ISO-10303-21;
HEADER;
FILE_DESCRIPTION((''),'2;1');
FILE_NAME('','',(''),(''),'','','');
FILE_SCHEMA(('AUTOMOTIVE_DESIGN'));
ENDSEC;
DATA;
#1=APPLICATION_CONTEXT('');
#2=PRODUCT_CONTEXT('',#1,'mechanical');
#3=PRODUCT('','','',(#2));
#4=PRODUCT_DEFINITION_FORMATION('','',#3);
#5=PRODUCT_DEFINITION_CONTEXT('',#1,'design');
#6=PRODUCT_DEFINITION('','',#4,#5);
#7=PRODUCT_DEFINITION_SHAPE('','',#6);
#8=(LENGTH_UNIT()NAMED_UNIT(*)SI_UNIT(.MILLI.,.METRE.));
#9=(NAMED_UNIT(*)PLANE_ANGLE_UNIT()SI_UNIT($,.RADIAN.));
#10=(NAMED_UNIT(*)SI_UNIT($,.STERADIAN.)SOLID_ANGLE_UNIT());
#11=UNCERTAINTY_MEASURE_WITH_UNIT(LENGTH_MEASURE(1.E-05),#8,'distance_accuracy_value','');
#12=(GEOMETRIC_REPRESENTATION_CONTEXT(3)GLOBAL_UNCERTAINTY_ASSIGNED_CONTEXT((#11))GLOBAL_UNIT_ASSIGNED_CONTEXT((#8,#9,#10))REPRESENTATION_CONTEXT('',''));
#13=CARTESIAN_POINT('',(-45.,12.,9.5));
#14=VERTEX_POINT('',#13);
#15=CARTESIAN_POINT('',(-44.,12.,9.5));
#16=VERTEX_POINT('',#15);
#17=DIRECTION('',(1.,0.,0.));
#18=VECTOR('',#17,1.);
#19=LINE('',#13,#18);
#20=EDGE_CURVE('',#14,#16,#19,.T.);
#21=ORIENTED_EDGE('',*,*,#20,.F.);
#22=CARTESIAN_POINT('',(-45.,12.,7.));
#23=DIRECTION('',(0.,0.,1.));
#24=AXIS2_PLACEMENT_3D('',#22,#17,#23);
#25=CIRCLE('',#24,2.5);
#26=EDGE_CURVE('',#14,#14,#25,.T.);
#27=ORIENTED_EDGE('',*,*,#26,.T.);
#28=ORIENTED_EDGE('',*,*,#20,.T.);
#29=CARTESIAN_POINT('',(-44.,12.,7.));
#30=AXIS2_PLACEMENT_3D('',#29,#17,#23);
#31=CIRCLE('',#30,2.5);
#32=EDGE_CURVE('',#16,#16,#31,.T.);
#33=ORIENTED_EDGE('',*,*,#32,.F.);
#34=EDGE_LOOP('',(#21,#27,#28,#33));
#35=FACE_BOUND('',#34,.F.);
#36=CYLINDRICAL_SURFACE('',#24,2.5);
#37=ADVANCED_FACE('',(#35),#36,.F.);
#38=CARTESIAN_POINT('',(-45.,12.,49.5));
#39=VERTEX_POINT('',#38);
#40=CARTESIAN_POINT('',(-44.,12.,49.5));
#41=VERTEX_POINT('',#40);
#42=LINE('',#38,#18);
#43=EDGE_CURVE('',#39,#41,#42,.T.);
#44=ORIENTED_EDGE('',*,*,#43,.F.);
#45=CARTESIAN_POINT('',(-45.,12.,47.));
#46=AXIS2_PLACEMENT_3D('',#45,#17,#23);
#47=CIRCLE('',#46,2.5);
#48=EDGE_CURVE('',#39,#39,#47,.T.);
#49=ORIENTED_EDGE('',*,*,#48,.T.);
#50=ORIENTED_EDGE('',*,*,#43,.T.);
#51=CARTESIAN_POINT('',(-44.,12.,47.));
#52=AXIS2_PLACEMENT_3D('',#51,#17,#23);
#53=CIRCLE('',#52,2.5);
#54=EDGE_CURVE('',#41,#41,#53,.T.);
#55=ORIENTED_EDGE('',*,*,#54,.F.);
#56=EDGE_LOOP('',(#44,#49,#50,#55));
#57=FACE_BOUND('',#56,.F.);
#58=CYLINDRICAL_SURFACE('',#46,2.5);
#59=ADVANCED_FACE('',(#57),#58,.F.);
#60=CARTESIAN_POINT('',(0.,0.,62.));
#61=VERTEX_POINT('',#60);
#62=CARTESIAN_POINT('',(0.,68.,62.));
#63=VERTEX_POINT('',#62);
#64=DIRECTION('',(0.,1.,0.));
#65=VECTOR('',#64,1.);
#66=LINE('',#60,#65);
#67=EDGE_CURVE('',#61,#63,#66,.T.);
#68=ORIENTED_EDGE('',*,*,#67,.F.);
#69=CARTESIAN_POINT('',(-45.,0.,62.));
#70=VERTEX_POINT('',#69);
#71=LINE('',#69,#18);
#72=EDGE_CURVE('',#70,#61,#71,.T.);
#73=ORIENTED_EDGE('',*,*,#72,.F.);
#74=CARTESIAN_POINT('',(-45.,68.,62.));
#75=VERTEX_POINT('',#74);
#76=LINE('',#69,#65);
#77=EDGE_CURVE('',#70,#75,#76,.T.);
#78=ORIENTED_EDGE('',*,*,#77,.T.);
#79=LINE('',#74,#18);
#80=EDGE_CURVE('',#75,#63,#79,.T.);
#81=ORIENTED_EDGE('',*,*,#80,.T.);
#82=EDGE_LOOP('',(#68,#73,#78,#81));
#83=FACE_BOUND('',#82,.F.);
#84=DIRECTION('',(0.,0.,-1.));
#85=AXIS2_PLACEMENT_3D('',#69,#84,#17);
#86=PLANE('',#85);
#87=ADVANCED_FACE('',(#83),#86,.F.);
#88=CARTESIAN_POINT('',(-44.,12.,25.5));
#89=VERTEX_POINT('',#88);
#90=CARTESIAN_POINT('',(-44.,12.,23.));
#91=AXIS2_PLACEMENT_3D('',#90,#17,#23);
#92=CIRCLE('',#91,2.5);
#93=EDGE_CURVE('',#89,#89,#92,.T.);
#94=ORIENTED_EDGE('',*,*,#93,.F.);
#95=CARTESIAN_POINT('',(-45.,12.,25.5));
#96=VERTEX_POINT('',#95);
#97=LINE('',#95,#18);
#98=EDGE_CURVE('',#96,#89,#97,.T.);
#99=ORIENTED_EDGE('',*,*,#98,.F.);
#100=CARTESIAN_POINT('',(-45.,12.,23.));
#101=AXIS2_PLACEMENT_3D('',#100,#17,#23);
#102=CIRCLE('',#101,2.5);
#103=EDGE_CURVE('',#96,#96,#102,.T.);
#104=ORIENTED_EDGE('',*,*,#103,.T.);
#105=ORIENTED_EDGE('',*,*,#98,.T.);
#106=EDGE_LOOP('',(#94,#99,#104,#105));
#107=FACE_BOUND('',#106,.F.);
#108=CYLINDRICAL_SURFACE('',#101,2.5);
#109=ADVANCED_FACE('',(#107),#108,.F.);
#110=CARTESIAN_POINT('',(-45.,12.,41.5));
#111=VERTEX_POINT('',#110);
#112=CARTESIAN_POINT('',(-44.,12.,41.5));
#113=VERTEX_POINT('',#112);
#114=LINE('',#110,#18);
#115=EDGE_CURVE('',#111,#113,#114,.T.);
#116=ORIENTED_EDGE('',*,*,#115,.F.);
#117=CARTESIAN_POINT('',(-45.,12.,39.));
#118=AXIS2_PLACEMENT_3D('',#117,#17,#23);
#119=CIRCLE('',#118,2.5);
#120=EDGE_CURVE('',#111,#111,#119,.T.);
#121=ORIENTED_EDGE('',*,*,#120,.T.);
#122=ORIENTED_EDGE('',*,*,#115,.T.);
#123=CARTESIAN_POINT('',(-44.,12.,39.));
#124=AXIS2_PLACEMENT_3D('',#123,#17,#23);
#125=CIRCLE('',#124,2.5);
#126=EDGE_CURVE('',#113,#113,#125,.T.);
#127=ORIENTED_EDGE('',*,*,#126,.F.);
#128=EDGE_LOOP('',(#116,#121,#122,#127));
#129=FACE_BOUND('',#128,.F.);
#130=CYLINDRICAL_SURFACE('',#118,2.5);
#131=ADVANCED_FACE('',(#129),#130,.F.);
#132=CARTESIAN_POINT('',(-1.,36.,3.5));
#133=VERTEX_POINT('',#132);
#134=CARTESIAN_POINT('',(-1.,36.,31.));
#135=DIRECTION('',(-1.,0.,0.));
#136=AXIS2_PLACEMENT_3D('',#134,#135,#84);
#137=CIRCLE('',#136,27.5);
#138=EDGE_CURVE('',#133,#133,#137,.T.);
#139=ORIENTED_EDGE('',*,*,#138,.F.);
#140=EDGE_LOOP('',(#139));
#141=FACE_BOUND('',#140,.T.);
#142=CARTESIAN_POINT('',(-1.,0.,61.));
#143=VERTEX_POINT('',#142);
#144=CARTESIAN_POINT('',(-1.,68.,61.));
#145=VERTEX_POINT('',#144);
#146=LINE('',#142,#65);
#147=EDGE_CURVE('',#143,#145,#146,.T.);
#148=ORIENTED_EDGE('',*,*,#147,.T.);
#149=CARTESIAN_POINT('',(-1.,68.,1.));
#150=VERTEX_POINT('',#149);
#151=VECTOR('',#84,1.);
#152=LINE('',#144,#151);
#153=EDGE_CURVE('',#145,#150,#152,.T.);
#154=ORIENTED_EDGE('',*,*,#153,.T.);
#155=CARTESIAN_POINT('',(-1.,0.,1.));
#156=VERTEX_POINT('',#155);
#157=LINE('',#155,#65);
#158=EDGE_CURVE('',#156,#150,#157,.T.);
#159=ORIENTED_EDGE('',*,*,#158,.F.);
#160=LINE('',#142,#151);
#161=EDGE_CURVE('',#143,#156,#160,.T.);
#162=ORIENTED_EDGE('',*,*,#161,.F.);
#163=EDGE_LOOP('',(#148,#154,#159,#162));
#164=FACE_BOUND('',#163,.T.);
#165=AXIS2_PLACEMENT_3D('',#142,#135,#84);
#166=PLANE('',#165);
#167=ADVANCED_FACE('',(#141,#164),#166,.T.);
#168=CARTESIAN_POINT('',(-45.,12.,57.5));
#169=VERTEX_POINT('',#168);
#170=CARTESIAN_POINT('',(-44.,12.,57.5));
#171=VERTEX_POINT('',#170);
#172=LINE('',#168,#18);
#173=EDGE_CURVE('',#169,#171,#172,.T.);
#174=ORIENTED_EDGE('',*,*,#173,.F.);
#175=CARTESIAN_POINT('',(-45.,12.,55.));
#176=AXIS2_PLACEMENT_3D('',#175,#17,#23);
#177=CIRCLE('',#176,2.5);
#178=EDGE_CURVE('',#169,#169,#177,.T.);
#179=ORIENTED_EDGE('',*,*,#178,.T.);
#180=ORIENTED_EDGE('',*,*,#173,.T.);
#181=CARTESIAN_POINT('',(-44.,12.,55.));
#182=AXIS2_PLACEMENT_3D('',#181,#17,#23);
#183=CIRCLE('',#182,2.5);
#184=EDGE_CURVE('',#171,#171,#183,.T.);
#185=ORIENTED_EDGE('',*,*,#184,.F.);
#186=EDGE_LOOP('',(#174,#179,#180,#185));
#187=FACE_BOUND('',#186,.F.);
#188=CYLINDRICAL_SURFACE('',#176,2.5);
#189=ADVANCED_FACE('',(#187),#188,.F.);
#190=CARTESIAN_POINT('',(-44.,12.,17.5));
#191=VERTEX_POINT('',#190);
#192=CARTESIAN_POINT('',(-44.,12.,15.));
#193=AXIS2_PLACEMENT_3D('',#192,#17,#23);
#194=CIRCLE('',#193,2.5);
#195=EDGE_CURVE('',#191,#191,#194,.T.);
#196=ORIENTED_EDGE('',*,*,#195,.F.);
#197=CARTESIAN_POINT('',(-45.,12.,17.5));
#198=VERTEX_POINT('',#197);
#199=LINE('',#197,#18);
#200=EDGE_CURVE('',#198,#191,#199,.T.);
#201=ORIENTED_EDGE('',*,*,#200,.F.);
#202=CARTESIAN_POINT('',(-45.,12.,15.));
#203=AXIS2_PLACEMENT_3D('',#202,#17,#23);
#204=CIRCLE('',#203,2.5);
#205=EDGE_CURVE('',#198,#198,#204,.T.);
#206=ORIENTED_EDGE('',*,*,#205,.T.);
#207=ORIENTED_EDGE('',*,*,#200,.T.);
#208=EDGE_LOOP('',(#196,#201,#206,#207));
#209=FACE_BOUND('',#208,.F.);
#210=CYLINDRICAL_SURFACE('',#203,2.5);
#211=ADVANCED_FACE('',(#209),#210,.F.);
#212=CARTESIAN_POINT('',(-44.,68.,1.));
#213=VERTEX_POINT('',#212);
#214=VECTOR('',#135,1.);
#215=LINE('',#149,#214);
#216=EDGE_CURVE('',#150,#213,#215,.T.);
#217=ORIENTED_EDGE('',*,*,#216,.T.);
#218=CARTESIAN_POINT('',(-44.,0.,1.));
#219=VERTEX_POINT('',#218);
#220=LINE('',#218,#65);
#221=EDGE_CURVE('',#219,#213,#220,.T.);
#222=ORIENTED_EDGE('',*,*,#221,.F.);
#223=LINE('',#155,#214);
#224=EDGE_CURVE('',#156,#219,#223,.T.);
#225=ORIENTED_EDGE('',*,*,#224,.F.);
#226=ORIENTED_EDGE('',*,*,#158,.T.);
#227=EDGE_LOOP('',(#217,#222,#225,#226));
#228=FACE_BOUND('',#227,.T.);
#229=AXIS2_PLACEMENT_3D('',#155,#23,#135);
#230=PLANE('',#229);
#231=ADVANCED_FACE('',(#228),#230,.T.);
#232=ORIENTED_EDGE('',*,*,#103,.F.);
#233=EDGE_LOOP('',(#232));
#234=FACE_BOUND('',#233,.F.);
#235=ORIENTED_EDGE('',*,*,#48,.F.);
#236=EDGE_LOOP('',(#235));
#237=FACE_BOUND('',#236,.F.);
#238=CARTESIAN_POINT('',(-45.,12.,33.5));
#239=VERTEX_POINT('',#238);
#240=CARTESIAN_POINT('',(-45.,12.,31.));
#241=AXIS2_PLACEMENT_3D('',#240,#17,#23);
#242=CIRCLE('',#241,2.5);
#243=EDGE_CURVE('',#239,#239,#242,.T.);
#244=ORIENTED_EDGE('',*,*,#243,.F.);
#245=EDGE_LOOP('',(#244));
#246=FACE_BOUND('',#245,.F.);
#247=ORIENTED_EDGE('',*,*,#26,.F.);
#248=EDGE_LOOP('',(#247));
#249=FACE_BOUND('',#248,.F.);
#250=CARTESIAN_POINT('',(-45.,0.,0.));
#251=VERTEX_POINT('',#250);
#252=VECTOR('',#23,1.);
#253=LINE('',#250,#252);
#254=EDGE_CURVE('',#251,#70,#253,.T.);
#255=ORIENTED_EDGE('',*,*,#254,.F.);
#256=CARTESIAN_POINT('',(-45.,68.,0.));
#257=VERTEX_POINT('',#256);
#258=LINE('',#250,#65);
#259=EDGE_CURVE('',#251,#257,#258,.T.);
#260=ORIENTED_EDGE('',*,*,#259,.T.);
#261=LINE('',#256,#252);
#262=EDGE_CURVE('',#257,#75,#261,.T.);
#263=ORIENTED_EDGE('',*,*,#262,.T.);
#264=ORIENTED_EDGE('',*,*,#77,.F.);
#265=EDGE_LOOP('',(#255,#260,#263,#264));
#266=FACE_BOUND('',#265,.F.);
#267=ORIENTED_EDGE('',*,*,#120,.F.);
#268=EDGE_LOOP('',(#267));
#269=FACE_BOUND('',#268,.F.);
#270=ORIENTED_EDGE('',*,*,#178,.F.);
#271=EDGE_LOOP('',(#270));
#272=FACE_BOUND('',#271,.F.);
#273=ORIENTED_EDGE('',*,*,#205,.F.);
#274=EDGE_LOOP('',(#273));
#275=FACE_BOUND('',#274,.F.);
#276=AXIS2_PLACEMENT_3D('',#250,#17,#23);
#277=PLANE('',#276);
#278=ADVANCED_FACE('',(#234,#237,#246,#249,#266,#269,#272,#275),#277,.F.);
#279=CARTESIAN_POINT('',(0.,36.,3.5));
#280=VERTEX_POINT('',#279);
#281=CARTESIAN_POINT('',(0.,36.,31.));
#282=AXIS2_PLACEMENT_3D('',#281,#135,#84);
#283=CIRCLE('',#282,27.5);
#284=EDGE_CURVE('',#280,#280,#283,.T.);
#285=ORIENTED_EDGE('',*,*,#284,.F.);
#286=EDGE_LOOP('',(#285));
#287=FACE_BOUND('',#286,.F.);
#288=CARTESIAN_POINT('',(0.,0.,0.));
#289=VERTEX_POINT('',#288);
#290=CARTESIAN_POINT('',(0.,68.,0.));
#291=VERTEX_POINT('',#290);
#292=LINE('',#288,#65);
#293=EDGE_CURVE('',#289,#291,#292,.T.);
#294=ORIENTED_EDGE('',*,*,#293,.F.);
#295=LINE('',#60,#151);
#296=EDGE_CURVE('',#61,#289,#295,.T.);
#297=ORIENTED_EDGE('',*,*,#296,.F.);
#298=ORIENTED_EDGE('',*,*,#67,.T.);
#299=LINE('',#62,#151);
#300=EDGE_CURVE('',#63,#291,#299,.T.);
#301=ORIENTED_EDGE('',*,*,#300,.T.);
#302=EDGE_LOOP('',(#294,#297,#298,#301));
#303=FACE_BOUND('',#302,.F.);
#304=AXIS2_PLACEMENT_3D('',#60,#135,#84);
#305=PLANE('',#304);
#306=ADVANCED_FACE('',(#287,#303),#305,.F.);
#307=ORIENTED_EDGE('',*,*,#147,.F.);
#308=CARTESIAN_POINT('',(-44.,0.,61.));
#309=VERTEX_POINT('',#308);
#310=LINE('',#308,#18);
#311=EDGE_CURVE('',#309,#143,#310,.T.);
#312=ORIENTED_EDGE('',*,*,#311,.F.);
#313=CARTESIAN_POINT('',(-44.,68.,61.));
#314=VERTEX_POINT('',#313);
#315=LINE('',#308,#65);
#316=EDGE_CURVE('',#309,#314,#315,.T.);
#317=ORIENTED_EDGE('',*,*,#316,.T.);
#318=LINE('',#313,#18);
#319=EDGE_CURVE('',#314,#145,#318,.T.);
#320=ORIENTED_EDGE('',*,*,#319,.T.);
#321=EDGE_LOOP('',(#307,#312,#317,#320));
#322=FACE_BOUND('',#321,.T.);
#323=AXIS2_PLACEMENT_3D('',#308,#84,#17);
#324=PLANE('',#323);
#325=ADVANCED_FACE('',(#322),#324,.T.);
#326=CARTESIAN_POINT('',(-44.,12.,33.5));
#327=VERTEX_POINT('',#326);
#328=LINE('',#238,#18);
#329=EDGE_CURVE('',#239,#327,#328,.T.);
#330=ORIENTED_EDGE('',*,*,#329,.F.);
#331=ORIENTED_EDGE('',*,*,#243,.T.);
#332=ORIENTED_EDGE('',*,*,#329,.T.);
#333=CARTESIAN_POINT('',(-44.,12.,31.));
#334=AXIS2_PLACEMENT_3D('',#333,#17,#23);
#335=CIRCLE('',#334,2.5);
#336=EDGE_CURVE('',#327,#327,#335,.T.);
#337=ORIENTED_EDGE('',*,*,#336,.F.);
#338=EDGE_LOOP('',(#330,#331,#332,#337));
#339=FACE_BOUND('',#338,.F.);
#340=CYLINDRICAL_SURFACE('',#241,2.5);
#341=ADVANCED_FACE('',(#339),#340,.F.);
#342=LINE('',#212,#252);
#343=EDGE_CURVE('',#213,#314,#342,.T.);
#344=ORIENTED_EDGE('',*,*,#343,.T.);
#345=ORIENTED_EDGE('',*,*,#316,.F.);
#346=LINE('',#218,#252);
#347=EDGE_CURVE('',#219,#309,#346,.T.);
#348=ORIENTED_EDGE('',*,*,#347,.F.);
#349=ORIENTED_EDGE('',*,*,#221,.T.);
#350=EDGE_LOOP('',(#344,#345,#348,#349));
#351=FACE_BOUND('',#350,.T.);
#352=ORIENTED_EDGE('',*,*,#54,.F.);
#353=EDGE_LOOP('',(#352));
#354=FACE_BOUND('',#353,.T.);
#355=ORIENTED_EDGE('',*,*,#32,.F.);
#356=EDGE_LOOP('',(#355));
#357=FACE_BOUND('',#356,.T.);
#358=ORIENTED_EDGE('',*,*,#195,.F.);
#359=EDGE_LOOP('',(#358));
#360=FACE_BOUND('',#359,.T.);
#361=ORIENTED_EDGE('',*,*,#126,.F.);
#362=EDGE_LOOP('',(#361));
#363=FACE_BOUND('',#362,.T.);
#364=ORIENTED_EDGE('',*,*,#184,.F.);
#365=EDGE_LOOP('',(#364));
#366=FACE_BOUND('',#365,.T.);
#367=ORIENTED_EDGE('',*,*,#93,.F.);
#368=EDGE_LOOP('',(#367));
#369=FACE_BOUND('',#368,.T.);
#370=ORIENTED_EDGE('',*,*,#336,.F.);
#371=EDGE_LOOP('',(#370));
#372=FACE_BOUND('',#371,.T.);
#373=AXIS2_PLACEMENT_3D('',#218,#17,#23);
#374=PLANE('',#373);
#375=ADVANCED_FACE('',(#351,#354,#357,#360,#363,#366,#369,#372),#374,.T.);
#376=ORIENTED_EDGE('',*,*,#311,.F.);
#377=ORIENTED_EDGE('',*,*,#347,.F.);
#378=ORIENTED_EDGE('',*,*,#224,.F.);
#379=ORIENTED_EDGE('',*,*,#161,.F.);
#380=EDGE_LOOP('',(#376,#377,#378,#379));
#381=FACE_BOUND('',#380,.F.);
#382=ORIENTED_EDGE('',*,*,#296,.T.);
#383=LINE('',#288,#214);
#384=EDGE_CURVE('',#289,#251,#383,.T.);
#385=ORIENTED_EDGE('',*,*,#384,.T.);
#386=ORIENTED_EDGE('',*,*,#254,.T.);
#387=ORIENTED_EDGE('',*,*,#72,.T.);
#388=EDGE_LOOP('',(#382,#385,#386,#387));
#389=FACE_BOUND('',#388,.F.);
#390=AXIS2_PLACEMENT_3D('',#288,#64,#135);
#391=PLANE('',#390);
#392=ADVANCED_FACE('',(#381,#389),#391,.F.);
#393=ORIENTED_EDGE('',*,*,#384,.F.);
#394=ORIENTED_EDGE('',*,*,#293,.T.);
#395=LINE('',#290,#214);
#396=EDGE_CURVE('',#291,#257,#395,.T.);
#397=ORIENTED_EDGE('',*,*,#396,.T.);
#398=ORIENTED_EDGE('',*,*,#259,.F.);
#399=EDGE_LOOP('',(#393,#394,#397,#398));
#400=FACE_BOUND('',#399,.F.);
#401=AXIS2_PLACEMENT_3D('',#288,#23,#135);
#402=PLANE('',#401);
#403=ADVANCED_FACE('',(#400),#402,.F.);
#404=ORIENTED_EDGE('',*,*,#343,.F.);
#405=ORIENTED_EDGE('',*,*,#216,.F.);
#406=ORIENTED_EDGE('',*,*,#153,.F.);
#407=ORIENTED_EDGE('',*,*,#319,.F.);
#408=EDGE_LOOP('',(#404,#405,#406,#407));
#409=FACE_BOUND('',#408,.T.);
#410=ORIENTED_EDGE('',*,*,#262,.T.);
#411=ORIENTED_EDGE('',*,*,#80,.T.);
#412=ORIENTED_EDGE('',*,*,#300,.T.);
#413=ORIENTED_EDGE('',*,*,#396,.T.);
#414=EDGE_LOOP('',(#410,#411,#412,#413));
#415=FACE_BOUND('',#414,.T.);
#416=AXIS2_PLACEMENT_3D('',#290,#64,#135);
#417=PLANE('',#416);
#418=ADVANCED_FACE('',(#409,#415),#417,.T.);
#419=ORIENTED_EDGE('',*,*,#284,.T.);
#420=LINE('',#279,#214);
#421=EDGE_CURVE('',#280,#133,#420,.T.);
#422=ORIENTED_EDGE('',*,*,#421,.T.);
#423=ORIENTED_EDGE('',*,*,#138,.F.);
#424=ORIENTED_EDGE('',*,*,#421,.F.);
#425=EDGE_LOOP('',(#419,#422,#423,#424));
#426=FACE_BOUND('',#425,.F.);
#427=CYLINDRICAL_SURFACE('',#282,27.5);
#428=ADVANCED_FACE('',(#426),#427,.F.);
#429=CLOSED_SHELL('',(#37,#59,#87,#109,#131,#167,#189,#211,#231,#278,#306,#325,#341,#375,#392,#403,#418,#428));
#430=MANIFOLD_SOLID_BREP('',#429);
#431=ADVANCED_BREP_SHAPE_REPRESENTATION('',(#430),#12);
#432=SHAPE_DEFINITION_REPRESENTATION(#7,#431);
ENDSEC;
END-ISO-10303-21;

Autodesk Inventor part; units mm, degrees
ref_plane "YZ Plane" through (0, 0, 0) normal (1, 0, 0) x (0, 1, 0)
ref_plane "XZ Plane" through (0, 0, 0) normal (0, 1, 0) x (-1, 0, 0)
ref_plane "XY Plane" through (0, 0, 0) normal (0, 0, 1) x (1, 0, 0)
sketch "Boceto1" plane through (0, 0, 0) normal (0, 1, 0) x (-1, 0, 0)
  line L0 (0, 0) -> (45, 0)
  line L1 (45, 0) -> (45, 62)
  line L2 (45, 62) -> (0, 62)
  line L3 (0, 62) -> (0, 0)
  line L4 (44, 61) -> (1, 61)
  line L5 (1, 61) -> (1, 1)
  line L6 (1, 1) -> (44, 1)
  line L7 (44, 1) -> (44, 61)
  point P0 (22.5, 62)
  dimension "d0" = 1
  dimension "d1" = 1
  dimension "d2" = 1
  dimension "d3" = 1
  dimension "d4" = 43
  dimension "d5" = 60
extrude "Extrusión1" add sketch "Boceto1" along normal blind 68
sketch "Boceto2" plane through (0, 0, 62) normal (1, 0, 0) x (0, 0, -1)
  line L0 (0, 0) -> (62, 0) projected
  line L1 (62, 0) -> (62, 68) projected
  line L2 (0, 68) -> (62, 68) projected
  line L3 (0, 0) -> (0, 68) projected
  circle A0 centre (31, 36) radius 27.5
  point P0 (31, 68)
  dimension "d8" = 36
  dimension "d9" = 55
hole "Agujero1" at (0, 36, 31) direction (-1, 0, 0) diameter 55 depth 1
sketch "Boceto3" plane through (-45, 0, 0) normal (-1, 0, 0) x (0, 0, 1)
  line L0 (0, 0) -> (62, 0) projected
  line L1 (62, 0) -> (62, 68) projected
  line L2 (0, 68) -> (62, 68) projected
  line L3 (0, 0) -> (0, 68) projected
  circle A0 centre (31, 12) radius 2.5
  circle A1 centre (7, 12) radius 2.5
  circle A2 centre (55, 12) radius 2.5
  circle A3 centre (15, 12) radius 2.5
  circle A4 centre (23, 12) radius 2.5
  circle A5 centre (39, 12) radius 2.5
  circle A6 centre (47, 12) radius 2.5
  point P0 (0, 0)
  point P1 (31, 68)
  dimension "d17" = 5
  dimension "d18" = 12
  dimension "d19" = 5
  dimension "d20" = 5
  dimension "d21" = 24
  dimension "d22" = 48
  dimension "d24" = 3
  dimension "d25" = 3
  dimension "d26" = 3
  dimension "d27" = 3
  dimension "d28" = 3
hole "Agujero2" at (-45, 12, 7) at (-45, 12, 15) at (-45, 12, 23) at (-45, 12, 31) at (-45, 12, 39) at (-45, 12, 47) at (-45, 12, 55) direction (1, 0, 0) diameter 5 depth 1
properties part number "7-32" material "Latón, amarillo claro"
